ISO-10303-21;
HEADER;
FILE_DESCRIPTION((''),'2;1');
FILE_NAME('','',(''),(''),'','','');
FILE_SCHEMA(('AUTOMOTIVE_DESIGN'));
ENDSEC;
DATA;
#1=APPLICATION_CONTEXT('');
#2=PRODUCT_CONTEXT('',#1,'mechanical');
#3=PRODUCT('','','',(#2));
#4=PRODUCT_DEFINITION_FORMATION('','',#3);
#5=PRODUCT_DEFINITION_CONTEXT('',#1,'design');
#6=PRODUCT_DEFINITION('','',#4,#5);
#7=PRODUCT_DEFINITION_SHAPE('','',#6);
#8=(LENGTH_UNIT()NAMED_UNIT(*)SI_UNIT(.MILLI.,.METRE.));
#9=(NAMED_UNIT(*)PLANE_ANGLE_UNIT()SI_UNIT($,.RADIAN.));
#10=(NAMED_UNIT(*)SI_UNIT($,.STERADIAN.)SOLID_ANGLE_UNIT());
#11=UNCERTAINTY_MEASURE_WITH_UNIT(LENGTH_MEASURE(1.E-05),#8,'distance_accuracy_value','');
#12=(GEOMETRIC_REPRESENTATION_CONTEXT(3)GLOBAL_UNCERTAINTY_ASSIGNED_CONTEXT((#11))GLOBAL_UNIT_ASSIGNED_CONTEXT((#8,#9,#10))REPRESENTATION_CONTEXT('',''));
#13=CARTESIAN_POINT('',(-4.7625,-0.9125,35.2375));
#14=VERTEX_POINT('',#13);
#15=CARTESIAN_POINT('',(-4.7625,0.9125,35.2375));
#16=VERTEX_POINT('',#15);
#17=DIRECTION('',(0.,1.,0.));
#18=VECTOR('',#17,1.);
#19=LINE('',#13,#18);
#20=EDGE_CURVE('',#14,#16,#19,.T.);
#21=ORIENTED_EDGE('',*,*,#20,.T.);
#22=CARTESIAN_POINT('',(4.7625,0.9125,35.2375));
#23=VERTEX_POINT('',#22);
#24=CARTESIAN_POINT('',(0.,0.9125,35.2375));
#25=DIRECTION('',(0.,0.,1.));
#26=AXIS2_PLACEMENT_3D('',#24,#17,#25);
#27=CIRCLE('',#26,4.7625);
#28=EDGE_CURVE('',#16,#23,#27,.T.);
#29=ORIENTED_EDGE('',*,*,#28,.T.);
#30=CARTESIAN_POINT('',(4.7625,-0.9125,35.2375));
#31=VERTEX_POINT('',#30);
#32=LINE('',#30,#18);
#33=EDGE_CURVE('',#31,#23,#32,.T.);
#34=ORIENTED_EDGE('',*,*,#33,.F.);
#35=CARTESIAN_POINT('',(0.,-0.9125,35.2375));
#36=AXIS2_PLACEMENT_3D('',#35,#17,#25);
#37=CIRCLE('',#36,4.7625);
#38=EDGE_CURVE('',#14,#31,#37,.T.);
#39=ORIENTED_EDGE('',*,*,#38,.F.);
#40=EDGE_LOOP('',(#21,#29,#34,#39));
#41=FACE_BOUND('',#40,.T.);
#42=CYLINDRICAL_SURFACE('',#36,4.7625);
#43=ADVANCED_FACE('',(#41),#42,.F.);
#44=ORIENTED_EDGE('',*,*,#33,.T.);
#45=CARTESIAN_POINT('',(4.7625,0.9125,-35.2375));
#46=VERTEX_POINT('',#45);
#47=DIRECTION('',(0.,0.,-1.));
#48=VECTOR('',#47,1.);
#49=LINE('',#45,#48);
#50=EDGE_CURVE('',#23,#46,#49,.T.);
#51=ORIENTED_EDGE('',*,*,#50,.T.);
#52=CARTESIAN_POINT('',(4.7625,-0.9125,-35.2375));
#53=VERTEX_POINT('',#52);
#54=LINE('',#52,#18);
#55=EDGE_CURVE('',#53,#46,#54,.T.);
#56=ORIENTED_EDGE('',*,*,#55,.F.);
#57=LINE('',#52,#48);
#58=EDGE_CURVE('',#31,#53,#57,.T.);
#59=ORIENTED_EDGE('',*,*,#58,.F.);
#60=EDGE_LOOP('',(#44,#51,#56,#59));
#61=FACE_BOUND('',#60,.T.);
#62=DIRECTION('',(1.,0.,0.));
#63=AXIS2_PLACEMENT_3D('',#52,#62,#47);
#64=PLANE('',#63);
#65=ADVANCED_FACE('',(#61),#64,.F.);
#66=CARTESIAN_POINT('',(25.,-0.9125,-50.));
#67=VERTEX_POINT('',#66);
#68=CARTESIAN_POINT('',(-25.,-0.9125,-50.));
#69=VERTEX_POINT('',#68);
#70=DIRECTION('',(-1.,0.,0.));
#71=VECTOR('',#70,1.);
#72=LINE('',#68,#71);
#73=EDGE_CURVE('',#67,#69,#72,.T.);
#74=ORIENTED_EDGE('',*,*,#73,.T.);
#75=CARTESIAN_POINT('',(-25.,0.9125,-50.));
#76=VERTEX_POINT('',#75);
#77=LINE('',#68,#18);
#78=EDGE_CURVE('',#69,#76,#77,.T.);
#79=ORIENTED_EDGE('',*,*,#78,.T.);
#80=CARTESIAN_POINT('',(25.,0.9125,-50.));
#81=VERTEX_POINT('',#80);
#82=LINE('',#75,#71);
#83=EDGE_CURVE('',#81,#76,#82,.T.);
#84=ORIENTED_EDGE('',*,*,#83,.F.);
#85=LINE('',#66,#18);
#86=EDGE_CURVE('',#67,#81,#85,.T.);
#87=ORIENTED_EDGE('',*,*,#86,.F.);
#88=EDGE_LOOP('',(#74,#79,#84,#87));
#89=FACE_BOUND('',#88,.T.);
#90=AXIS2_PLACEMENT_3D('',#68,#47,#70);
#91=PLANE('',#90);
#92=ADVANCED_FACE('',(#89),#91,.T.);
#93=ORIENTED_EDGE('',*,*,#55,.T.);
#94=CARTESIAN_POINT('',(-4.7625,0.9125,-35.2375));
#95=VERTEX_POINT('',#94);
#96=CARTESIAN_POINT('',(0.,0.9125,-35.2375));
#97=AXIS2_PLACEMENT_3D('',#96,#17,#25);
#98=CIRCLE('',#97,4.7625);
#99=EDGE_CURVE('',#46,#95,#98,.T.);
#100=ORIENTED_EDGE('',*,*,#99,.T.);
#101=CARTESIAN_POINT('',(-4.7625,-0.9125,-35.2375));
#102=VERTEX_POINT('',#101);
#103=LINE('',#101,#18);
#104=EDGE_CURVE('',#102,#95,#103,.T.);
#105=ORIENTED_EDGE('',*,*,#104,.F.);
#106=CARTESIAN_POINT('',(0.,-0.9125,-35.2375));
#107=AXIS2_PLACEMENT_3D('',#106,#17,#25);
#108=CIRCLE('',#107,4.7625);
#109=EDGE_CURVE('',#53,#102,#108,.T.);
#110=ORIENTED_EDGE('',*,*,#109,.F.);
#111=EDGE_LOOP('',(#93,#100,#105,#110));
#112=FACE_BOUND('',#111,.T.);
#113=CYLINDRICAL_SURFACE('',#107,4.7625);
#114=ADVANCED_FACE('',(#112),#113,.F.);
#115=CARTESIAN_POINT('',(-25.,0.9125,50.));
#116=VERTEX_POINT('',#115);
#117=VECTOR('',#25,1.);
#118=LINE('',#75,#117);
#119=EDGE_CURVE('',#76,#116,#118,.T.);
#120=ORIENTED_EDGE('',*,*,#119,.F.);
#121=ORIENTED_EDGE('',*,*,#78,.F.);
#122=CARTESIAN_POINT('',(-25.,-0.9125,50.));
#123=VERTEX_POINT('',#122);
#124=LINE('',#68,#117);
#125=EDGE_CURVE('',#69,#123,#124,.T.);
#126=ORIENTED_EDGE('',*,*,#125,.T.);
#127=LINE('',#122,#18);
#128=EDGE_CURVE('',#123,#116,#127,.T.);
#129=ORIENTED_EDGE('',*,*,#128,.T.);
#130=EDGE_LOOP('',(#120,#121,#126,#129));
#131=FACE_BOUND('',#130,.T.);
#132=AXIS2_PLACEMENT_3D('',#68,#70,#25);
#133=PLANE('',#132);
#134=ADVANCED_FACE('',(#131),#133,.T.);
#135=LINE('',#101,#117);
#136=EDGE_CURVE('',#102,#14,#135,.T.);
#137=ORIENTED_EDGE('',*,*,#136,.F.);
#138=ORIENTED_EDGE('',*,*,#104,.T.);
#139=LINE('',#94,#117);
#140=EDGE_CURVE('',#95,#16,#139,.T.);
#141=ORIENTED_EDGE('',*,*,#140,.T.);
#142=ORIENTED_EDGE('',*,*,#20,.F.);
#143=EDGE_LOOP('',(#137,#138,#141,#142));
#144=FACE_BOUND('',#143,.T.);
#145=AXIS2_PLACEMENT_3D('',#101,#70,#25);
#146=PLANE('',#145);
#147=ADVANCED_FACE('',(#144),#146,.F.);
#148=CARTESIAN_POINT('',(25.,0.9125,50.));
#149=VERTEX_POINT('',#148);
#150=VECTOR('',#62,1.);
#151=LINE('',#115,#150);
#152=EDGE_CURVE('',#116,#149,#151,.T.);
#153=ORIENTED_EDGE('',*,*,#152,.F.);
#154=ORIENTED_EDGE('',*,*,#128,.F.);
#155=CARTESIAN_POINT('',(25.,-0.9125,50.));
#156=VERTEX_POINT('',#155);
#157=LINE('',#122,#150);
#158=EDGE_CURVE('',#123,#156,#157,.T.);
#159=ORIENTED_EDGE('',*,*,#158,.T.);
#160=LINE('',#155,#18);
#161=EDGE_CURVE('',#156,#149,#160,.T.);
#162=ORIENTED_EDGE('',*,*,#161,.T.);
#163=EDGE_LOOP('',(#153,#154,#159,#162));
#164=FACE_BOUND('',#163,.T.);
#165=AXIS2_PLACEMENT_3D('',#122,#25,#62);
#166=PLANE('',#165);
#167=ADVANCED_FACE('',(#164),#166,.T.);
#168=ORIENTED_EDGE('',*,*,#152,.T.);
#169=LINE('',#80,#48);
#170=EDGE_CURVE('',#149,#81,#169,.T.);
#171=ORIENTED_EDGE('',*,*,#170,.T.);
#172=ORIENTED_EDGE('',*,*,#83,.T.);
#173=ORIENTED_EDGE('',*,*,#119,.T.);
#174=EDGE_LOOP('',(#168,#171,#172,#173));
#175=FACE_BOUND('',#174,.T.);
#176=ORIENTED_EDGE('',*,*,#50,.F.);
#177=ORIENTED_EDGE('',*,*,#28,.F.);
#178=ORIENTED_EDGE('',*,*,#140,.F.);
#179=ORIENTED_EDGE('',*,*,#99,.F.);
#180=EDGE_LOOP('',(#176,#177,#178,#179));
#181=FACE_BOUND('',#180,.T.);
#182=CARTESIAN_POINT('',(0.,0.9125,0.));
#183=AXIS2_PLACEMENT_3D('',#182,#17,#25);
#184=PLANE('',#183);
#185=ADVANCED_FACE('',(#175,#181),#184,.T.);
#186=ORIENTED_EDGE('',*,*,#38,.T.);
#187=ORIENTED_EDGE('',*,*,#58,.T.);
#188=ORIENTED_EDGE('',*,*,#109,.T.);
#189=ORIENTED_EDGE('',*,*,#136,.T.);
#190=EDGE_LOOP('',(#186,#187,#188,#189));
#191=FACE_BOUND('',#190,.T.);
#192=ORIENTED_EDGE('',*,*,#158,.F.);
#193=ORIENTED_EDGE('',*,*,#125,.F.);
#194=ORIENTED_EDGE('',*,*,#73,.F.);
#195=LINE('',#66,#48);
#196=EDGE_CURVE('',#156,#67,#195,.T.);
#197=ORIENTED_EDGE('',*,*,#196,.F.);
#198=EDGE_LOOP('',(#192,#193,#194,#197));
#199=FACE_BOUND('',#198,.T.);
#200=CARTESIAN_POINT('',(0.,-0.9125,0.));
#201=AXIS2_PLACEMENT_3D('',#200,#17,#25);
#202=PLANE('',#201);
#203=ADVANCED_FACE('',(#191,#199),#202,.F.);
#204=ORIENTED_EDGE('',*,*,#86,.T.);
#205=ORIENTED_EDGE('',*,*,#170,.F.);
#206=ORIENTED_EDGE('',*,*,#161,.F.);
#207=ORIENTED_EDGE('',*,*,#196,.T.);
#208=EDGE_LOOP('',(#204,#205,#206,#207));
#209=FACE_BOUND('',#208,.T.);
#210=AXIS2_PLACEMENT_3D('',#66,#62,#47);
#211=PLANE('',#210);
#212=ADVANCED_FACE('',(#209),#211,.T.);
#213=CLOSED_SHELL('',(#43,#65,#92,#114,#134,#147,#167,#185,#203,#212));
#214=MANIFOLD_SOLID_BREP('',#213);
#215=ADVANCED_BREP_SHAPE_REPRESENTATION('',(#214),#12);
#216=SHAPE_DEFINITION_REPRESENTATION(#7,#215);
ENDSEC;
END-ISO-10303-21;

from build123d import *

# Parameters (mm, degrees)
BOSS_EXTRUDE1_DEPTH      = 0.9125
BOSS_EXTRUDE1_DEPTH_BACK = 0.9125
SKETCH1_W                = 50
SKETCH1_H                = 100


with BuildPart() as part:
    # Sketch1 → Boss-Extrude1 (new, two sides: drawn at the far end of the back side and taken through both)
    with BuildSketch(Plane(origin=(0, 0, 0), x_dir=(1, 0, 0), z_dir=(0, 1, 0)).offset(-BOSS_EXTRUDE1_DEPTH_BACK)):
        Rectangle(SKETCH1_W, SKETCH1_H)
        with BuildLine():
            Line((4.7625, 35.2375), (4.7625, -35.2375))
            ThreePointArc((4.7625, -35.2375), (0, -40), (-4.7625, -35.2375))
            Line((-4.7625, -35.2375), (-4.7625, 35.2375))
            ThreePointArc((-4.7625, 35.2375), (0, 40), (4.7625, 35.2375))
        make_face(mode=Mode.SUBTRACT)
    extrude(amount=BOSS_EXTRUDE1_DEPTH + BOSS_EXTRUDE1_DEPTH_BACK)


solid = part.part
